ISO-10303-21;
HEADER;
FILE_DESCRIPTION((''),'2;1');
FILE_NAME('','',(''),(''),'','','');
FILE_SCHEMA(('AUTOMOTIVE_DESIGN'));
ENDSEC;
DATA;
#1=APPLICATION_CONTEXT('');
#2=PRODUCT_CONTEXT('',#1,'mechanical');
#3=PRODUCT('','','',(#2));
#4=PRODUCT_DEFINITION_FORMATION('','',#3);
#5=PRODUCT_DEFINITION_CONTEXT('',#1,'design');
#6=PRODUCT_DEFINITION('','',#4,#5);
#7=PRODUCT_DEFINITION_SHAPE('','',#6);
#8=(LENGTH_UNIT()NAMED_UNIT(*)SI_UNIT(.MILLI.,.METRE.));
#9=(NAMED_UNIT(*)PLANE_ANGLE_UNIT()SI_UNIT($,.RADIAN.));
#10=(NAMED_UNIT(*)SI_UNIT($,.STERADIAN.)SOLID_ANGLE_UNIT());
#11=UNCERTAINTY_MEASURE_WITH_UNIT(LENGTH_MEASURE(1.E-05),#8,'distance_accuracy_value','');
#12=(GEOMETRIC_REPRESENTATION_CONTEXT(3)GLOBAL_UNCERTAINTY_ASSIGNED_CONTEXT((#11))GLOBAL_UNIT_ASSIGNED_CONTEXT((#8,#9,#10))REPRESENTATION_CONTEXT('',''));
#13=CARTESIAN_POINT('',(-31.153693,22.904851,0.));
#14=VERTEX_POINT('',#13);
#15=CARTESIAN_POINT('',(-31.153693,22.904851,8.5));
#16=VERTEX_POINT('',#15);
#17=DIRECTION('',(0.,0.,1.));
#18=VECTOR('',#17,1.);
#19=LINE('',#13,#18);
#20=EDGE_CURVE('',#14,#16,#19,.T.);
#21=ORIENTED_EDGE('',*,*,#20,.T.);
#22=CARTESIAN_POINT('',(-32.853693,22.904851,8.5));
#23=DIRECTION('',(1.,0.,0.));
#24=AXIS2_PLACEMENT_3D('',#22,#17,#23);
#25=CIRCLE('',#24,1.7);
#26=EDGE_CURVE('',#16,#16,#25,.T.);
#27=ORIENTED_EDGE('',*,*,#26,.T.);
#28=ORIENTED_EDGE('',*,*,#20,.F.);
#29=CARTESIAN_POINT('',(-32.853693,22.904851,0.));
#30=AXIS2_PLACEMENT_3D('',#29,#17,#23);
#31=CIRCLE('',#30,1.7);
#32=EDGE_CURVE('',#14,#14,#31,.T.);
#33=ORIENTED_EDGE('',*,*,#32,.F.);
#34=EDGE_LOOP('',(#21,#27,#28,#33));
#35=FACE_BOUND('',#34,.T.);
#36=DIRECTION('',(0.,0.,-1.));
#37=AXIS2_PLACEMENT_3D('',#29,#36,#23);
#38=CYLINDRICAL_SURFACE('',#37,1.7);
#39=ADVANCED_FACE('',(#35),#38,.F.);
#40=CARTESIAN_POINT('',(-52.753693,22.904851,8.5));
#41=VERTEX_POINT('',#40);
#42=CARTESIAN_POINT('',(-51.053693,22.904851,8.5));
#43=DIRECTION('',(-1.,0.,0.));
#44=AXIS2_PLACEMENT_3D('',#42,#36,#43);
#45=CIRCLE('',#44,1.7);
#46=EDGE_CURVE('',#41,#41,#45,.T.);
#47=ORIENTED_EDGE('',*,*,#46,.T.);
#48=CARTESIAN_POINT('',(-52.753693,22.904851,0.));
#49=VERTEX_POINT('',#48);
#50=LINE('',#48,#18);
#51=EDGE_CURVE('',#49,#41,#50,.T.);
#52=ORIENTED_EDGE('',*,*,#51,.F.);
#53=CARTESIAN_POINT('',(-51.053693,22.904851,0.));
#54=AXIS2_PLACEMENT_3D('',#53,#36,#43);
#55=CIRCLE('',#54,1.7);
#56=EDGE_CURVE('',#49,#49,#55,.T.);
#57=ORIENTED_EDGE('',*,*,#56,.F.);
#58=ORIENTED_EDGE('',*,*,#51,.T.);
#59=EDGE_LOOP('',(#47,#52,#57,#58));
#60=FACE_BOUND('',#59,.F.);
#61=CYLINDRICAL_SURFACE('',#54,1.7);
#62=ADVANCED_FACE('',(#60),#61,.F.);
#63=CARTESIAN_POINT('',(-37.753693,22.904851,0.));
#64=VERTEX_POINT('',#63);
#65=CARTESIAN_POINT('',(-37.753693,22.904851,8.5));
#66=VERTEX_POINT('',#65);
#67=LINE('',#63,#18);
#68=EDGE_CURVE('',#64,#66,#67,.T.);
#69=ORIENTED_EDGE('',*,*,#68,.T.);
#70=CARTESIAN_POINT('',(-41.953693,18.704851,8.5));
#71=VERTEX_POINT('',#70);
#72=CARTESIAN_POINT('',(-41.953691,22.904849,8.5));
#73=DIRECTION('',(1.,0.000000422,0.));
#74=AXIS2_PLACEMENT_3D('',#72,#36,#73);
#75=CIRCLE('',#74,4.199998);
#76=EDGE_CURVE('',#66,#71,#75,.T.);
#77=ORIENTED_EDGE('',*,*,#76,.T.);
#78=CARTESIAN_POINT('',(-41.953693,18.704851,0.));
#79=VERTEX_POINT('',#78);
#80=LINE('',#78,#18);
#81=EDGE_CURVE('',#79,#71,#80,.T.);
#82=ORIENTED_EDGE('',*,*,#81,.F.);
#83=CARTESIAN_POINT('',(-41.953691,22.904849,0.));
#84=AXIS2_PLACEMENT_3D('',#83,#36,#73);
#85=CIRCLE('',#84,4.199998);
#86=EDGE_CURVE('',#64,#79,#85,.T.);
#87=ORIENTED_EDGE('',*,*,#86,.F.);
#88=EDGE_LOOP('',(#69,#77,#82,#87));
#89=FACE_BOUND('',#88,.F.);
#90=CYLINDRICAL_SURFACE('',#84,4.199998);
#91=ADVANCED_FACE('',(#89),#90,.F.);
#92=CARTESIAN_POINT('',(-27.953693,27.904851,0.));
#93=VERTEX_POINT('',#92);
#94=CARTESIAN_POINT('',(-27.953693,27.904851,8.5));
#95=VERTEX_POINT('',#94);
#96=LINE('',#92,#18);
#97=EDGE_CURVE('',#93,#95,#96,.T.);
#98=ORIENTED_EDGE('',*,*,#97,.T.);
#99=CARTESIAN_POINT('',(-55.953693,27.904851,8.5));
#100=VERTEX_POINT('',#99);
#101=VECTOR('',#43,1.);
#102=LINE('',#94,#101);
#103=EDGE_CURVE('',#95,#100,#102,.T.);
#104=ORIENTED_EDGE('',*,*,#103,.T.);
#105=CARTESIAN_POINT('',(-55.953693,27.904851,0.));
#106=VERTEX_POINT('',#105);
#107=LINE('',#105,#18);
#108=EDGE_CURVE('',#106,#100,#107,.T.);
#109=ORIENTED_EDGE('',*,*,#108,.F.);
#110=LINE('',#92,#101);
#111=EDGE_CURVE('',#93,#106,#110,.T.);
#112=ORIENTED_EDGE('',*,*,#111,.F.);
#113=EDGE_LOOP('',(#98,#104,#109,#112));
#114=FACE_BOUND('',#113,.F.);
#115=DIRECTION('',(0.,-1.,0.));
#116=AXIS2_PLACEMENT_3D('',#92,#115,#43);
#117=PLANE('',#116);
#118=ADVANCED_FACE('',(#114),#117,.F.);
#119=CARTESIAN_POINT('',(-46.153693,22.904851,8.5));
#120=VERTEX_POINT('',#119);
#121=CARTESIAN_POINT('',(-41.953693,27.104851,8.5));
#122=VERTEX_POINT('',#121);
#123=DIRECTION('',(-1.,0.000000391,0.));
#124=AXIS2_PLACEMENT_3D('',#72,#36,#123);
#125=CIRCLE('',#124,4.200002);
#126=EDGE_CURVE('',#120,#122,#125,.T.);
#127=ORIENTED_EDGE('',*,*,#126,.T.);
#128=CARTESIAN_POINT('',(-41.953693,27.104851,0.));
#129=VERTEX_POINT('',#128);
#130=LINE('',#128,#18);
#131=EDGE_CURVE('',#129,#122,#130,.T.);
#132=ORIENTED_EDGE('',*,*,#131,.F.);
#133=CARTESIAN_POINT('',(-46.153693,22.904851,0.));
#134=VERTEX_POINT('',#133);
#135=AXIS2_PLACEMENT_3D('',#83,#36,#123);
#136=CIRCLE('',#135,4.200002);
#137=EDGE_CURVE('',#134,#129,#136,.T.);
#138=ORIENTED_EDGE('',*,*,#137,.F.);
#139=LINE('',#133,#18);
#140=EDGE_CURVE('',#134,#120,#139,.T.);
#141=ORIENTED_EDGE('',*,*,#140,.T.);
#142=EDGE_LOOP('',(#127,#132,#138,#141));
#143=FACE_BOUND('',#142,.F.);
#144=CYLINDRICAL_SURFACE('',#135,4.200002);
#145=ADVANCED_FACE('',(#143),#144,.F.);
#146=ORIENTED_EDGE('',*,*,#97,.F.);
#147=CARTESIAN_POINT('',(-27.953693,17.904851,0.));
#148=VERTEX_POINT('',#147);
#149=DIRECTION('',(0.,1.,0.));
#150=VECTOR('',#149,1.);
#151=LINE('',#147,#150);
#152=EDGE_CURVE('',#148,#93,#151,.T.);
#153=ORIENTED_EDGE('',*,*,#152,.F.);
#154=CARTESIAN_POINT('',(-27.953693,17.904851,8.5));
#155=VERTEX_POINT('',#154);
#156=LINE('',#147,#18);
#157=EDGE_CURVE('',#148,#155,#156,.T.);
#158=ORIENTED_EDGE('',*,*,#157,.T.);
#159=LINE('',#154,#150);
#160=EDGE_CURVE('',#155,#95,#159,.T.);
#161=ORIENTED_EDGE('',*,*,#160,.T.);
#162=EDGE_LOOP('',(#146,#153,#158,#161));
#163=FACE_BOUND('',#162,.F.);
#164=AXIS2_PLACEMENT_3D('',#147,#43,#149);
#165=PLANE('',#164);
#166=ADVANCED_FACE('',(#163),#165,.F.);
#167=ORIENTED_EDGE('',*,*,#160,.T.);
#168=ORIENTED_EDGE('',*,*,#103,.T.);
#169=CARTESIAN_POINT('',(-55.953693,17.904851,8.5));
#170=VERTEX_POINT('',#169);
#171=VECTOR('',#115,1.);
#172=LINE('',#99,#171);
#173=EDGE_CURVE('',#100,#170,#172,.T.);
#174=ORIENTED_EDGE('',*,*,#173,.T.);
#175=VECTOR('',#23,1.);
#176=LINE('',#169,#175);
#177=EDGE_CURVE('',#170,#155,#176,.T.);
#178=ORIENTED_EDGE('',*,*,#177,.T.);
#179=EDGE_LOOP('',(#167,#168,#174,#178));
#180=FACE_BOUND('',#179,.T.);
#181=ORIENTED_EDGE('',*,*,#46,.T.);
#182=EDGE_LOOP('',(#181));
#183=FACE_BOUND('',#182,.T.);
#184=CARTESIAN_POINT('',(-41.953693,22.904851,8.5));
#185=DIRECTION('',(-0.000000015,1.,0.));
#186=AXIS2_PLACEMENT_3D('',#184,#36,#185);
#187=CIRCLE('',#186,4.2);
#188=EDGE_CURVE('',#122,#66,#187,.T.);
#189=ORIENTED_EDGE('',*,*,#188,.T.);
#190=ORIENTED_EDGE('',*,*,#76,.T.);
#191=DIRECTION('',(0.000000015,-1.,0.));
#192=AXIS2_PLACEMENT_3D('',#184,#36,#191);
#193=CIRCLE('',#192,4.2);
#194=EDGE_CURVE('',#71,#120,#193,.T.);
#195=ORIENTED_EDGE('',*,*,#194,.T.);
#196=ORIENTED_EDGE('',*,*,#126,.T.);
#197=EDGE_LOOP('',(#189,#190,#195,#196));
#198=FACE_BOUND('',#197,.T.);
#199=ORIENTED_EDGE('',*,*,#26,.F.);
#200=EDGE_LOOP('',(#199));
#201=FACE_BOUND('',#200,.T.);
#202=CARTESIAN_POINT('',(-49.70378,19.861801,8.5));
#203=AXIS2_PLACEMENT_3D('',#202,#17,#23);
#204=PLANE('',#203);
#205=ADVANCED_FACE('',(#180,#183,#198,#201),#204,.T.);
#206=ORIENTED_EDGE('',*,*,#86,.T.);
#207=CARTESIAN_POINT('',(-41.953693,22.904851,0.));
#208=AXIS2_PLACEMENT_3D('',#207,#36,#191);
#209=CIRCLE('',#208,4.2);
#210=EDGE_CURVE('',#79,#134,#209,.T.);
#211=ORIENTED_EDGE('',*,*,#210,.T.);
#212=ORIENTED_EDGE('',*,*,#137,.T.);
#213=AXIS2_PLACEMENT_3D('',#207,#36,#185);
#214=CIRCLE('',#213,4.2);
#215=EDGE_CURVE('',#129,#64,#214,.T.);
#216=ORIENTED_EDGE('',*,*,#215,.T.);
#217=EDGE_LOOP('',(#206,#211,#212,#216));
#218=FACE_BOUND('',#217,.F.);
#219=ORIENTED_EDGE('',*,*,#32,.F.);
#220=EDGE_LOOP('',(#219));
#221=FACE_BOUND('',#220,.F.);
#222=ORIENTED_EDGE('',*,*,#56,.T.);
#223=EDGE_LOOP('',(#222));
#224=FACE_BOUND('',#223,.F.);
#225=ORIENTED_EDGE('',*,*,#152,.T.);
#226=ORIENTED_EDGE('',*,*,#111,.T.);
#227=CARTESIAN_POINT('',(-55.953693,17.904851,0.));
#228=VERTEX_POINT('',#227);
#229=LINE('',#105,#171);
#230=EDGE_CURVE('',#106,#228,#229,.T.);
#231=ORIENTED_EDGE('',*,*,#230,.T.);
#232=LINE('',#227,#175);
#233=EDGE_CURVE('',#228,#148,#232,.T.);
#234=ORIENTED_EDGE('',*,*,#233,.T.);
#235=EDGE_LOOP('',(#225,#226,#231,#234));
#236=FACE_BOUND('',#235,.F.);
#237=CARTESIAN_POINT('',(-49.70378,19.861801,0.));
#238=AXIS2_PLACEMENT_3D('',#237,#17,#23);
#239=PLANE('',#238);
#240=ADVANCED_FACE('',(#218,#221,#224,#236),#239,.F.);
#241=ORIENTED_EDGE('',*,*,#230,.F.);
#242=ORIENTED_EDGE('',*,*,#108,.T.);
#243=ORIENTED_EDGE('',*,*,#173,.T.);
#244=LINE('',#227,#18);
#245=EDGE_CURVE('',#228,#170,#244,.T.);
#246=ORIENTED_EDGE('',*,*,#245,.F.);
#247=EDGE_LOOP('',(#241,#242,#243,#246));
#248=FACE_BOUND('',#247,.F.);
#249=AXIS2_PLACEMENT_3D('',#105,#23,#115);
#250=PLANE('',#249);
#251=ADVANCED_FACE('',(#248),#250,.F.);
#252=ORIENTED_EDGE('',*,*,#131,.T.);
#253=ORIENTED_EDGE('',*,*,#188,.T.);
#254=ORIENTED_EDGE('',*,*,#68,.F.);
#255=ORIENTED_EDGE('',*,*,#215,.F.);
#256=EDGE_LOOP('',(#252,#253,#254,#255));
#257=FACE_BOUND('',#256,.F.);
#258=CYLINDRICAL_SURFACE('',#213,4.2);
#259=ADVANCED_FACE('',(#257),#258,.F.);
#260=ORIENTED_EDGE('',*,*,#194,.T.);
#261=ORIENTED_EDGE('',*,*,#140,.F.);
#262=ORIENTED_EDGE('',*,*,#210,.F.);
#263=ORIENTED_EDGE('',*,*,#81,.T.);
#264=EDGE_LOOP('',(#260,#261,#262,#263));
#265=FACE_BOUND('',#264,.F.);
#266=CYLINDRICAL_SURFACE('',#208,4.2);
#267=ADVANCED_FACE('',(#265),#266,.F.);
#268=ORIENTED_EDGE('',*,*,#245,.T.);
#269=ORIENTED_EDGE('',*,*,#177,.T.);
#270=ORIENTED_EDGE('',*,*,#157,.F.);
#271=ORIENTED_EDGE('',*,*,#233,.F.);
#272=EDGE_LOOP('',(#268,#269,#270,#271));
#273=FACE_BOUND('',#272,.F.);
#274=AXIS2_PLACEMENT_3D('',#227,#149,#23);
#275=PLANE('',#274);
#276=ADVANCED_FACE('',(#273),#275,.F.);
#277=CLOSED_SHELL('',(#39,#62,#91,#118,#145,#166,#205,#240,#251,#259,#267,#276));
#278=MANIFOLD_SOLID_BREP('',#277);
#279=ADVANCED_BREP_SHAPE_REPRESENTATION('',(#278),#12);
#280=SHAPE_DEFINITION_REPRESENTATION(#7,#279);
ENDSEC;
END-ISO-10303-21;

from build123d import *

# Parameters (mm, degrees)
F0_R     = 1.7
F1_DEPTH = 8.5


with BuildPart() as f1:
    # F0 (on Top) → F1 (new body)
    with BuildSketch(Plane.XY):
        with BuildLine():
            Line((-41.953693, 17.904851), (-41.953693, 18.704851))
            ThreePointArc((-41.953693, 18.704851), (-44.923541, 19.935002), (-46.153693, 22.904851))
            Line((-46.153693, 22.904851), (-48.153693, 22.904851))
            Line((-48.153693, 22.904851), (-48.153693, 21.230535))
            Line((-48.153693, 21.230535), (-51.053693, 19.556219))
            Line((-51.053693, 19.556219), (-53.953693, 21.230535))
            Line((-53.953693, 21.230535), (-53.953693, 22.904851))
            Line((-53.953693, 22.904851), (-55.953693, 22.904851))
            Line((-55.953693, 22.904851), (-55.953693, 17.904851))
            Line((-55.953693, 17.904851), (-41.953693, 17.904851))
        make_face()
        with BuildLine():
            Line((-48.153693, 21.230535), (-48.153693, 22.904851))
            Line((-48.153693, 22.904851), (-49.353693, 22.904851))
            ThreePointArc((-49.353693, 22.904851), (-51.053693, 21.204851), (-52.753693, 22.904851))
            Line((-52.753693, 22.904851), (-53.953693, 22.904851))
            Line((-53.953693, 22.904851), (-53.953693, 21.230535))
            Line((-53.953693, 21.230535), (-51.053693, 19.556219))
            Line((-51.053693, 19.556219), (-48.153693, 21.230535))
        make_face()
        with BuildLine():
            Line((-49.353693, 22.904851), (-48.153693, 22.904851))
            Line((-48.153693, 22.904851), (-48.153693, 24.579166))
            Line((-48.153693, 24.579166), (-51.053693, 26.253482))
            Line((-51.053693, 26.253482), (-53.953693, 24.579166))
            Line((-53.953693, 24.579166), (-53.953693, 22.904851))
            Line((-53.953693, 22.904851), (-52.753693, 22.904851))
            ThreePointArc((-52.753693, 22.904851), (-51.053693, 24.604851), (-49.353693, 22.904851))
        make_face()
        with BuildLine():
            ThreePointArc((-46.153693, 22.904851), (-44.923541, 25.874699), (-41.953693, 27.104851))
            Line((-41.953693, 27.104851), (-41.953693, 27.904851))
            Line((-41.953693, 27.904851), (-55.953693, 27.904851))
            Line((-55.953693, 27.904851), (-55.953693, 22.904851))
            Line((-55.953693, 22.904851), (-53.953693, 22.904851))
            Line((-53.953693, 22.904851), (-53.953693, 24.579166))
            Line((-53.953693, 24.579166), (-51.053693, 26.253482))
            Line((-51.053693, 26.253482), (-48.153693, 24.579166))
            Line((-48.153693, 24.579166), (-48.153693, 22.904851))
            Line((-48.153693, 22.904851), (-46.153693, 22.904851))
        make_face()
        with BuildLine():
            ThreePointArc((-41.953693, 27.104851), (-38.983844, 25.874699), (-37.753693, 22.904851))
            ThreePointArc((-37.753693, 22.904851), (-38.983844, 19.935002), (-41.953693, 18.704851))
            Line((-41.953693, 18.704851), (-41.953693, 17.904851))
            Line((-41.953693, 17.904851), (-27.953693, 17.904851))
            Line((-27.953693, 17.904851), (-27.953693, 22.904851))
            Line((-27.953693, 22.904851), (-27.953693, 27.904851))
            Line((-27.953693, 27.904851), (-41.953693, 27.904851))
            Line((-41.953693, 27.904851), (-41.953693, 27.104851))
        make_face()
        Polygon((-35.753693, 21.230535), (-35.753693, 24.579166), (-32.853693, 26.253482), (-29.953693, 24.579166), (-29.953693, 21.230535), (-32.853693, 19.556219), align=None, mode=Mode.SUBTRACT)
        Polygon((-32.853693, 26.253482), (-35.753693, 24.579166), (-35.753693, 21.230535), (-32.853693, 19.556219), (-29.953693, 21.230535), (-29.953693, 24.579166), align=None)
        with Locations((-32.853693, 22.904851)):
            Circle(F0_R, mode=Mode.SUBTRACT)
    extrude(amount=F1_DEPTH)


solid = f1.part
